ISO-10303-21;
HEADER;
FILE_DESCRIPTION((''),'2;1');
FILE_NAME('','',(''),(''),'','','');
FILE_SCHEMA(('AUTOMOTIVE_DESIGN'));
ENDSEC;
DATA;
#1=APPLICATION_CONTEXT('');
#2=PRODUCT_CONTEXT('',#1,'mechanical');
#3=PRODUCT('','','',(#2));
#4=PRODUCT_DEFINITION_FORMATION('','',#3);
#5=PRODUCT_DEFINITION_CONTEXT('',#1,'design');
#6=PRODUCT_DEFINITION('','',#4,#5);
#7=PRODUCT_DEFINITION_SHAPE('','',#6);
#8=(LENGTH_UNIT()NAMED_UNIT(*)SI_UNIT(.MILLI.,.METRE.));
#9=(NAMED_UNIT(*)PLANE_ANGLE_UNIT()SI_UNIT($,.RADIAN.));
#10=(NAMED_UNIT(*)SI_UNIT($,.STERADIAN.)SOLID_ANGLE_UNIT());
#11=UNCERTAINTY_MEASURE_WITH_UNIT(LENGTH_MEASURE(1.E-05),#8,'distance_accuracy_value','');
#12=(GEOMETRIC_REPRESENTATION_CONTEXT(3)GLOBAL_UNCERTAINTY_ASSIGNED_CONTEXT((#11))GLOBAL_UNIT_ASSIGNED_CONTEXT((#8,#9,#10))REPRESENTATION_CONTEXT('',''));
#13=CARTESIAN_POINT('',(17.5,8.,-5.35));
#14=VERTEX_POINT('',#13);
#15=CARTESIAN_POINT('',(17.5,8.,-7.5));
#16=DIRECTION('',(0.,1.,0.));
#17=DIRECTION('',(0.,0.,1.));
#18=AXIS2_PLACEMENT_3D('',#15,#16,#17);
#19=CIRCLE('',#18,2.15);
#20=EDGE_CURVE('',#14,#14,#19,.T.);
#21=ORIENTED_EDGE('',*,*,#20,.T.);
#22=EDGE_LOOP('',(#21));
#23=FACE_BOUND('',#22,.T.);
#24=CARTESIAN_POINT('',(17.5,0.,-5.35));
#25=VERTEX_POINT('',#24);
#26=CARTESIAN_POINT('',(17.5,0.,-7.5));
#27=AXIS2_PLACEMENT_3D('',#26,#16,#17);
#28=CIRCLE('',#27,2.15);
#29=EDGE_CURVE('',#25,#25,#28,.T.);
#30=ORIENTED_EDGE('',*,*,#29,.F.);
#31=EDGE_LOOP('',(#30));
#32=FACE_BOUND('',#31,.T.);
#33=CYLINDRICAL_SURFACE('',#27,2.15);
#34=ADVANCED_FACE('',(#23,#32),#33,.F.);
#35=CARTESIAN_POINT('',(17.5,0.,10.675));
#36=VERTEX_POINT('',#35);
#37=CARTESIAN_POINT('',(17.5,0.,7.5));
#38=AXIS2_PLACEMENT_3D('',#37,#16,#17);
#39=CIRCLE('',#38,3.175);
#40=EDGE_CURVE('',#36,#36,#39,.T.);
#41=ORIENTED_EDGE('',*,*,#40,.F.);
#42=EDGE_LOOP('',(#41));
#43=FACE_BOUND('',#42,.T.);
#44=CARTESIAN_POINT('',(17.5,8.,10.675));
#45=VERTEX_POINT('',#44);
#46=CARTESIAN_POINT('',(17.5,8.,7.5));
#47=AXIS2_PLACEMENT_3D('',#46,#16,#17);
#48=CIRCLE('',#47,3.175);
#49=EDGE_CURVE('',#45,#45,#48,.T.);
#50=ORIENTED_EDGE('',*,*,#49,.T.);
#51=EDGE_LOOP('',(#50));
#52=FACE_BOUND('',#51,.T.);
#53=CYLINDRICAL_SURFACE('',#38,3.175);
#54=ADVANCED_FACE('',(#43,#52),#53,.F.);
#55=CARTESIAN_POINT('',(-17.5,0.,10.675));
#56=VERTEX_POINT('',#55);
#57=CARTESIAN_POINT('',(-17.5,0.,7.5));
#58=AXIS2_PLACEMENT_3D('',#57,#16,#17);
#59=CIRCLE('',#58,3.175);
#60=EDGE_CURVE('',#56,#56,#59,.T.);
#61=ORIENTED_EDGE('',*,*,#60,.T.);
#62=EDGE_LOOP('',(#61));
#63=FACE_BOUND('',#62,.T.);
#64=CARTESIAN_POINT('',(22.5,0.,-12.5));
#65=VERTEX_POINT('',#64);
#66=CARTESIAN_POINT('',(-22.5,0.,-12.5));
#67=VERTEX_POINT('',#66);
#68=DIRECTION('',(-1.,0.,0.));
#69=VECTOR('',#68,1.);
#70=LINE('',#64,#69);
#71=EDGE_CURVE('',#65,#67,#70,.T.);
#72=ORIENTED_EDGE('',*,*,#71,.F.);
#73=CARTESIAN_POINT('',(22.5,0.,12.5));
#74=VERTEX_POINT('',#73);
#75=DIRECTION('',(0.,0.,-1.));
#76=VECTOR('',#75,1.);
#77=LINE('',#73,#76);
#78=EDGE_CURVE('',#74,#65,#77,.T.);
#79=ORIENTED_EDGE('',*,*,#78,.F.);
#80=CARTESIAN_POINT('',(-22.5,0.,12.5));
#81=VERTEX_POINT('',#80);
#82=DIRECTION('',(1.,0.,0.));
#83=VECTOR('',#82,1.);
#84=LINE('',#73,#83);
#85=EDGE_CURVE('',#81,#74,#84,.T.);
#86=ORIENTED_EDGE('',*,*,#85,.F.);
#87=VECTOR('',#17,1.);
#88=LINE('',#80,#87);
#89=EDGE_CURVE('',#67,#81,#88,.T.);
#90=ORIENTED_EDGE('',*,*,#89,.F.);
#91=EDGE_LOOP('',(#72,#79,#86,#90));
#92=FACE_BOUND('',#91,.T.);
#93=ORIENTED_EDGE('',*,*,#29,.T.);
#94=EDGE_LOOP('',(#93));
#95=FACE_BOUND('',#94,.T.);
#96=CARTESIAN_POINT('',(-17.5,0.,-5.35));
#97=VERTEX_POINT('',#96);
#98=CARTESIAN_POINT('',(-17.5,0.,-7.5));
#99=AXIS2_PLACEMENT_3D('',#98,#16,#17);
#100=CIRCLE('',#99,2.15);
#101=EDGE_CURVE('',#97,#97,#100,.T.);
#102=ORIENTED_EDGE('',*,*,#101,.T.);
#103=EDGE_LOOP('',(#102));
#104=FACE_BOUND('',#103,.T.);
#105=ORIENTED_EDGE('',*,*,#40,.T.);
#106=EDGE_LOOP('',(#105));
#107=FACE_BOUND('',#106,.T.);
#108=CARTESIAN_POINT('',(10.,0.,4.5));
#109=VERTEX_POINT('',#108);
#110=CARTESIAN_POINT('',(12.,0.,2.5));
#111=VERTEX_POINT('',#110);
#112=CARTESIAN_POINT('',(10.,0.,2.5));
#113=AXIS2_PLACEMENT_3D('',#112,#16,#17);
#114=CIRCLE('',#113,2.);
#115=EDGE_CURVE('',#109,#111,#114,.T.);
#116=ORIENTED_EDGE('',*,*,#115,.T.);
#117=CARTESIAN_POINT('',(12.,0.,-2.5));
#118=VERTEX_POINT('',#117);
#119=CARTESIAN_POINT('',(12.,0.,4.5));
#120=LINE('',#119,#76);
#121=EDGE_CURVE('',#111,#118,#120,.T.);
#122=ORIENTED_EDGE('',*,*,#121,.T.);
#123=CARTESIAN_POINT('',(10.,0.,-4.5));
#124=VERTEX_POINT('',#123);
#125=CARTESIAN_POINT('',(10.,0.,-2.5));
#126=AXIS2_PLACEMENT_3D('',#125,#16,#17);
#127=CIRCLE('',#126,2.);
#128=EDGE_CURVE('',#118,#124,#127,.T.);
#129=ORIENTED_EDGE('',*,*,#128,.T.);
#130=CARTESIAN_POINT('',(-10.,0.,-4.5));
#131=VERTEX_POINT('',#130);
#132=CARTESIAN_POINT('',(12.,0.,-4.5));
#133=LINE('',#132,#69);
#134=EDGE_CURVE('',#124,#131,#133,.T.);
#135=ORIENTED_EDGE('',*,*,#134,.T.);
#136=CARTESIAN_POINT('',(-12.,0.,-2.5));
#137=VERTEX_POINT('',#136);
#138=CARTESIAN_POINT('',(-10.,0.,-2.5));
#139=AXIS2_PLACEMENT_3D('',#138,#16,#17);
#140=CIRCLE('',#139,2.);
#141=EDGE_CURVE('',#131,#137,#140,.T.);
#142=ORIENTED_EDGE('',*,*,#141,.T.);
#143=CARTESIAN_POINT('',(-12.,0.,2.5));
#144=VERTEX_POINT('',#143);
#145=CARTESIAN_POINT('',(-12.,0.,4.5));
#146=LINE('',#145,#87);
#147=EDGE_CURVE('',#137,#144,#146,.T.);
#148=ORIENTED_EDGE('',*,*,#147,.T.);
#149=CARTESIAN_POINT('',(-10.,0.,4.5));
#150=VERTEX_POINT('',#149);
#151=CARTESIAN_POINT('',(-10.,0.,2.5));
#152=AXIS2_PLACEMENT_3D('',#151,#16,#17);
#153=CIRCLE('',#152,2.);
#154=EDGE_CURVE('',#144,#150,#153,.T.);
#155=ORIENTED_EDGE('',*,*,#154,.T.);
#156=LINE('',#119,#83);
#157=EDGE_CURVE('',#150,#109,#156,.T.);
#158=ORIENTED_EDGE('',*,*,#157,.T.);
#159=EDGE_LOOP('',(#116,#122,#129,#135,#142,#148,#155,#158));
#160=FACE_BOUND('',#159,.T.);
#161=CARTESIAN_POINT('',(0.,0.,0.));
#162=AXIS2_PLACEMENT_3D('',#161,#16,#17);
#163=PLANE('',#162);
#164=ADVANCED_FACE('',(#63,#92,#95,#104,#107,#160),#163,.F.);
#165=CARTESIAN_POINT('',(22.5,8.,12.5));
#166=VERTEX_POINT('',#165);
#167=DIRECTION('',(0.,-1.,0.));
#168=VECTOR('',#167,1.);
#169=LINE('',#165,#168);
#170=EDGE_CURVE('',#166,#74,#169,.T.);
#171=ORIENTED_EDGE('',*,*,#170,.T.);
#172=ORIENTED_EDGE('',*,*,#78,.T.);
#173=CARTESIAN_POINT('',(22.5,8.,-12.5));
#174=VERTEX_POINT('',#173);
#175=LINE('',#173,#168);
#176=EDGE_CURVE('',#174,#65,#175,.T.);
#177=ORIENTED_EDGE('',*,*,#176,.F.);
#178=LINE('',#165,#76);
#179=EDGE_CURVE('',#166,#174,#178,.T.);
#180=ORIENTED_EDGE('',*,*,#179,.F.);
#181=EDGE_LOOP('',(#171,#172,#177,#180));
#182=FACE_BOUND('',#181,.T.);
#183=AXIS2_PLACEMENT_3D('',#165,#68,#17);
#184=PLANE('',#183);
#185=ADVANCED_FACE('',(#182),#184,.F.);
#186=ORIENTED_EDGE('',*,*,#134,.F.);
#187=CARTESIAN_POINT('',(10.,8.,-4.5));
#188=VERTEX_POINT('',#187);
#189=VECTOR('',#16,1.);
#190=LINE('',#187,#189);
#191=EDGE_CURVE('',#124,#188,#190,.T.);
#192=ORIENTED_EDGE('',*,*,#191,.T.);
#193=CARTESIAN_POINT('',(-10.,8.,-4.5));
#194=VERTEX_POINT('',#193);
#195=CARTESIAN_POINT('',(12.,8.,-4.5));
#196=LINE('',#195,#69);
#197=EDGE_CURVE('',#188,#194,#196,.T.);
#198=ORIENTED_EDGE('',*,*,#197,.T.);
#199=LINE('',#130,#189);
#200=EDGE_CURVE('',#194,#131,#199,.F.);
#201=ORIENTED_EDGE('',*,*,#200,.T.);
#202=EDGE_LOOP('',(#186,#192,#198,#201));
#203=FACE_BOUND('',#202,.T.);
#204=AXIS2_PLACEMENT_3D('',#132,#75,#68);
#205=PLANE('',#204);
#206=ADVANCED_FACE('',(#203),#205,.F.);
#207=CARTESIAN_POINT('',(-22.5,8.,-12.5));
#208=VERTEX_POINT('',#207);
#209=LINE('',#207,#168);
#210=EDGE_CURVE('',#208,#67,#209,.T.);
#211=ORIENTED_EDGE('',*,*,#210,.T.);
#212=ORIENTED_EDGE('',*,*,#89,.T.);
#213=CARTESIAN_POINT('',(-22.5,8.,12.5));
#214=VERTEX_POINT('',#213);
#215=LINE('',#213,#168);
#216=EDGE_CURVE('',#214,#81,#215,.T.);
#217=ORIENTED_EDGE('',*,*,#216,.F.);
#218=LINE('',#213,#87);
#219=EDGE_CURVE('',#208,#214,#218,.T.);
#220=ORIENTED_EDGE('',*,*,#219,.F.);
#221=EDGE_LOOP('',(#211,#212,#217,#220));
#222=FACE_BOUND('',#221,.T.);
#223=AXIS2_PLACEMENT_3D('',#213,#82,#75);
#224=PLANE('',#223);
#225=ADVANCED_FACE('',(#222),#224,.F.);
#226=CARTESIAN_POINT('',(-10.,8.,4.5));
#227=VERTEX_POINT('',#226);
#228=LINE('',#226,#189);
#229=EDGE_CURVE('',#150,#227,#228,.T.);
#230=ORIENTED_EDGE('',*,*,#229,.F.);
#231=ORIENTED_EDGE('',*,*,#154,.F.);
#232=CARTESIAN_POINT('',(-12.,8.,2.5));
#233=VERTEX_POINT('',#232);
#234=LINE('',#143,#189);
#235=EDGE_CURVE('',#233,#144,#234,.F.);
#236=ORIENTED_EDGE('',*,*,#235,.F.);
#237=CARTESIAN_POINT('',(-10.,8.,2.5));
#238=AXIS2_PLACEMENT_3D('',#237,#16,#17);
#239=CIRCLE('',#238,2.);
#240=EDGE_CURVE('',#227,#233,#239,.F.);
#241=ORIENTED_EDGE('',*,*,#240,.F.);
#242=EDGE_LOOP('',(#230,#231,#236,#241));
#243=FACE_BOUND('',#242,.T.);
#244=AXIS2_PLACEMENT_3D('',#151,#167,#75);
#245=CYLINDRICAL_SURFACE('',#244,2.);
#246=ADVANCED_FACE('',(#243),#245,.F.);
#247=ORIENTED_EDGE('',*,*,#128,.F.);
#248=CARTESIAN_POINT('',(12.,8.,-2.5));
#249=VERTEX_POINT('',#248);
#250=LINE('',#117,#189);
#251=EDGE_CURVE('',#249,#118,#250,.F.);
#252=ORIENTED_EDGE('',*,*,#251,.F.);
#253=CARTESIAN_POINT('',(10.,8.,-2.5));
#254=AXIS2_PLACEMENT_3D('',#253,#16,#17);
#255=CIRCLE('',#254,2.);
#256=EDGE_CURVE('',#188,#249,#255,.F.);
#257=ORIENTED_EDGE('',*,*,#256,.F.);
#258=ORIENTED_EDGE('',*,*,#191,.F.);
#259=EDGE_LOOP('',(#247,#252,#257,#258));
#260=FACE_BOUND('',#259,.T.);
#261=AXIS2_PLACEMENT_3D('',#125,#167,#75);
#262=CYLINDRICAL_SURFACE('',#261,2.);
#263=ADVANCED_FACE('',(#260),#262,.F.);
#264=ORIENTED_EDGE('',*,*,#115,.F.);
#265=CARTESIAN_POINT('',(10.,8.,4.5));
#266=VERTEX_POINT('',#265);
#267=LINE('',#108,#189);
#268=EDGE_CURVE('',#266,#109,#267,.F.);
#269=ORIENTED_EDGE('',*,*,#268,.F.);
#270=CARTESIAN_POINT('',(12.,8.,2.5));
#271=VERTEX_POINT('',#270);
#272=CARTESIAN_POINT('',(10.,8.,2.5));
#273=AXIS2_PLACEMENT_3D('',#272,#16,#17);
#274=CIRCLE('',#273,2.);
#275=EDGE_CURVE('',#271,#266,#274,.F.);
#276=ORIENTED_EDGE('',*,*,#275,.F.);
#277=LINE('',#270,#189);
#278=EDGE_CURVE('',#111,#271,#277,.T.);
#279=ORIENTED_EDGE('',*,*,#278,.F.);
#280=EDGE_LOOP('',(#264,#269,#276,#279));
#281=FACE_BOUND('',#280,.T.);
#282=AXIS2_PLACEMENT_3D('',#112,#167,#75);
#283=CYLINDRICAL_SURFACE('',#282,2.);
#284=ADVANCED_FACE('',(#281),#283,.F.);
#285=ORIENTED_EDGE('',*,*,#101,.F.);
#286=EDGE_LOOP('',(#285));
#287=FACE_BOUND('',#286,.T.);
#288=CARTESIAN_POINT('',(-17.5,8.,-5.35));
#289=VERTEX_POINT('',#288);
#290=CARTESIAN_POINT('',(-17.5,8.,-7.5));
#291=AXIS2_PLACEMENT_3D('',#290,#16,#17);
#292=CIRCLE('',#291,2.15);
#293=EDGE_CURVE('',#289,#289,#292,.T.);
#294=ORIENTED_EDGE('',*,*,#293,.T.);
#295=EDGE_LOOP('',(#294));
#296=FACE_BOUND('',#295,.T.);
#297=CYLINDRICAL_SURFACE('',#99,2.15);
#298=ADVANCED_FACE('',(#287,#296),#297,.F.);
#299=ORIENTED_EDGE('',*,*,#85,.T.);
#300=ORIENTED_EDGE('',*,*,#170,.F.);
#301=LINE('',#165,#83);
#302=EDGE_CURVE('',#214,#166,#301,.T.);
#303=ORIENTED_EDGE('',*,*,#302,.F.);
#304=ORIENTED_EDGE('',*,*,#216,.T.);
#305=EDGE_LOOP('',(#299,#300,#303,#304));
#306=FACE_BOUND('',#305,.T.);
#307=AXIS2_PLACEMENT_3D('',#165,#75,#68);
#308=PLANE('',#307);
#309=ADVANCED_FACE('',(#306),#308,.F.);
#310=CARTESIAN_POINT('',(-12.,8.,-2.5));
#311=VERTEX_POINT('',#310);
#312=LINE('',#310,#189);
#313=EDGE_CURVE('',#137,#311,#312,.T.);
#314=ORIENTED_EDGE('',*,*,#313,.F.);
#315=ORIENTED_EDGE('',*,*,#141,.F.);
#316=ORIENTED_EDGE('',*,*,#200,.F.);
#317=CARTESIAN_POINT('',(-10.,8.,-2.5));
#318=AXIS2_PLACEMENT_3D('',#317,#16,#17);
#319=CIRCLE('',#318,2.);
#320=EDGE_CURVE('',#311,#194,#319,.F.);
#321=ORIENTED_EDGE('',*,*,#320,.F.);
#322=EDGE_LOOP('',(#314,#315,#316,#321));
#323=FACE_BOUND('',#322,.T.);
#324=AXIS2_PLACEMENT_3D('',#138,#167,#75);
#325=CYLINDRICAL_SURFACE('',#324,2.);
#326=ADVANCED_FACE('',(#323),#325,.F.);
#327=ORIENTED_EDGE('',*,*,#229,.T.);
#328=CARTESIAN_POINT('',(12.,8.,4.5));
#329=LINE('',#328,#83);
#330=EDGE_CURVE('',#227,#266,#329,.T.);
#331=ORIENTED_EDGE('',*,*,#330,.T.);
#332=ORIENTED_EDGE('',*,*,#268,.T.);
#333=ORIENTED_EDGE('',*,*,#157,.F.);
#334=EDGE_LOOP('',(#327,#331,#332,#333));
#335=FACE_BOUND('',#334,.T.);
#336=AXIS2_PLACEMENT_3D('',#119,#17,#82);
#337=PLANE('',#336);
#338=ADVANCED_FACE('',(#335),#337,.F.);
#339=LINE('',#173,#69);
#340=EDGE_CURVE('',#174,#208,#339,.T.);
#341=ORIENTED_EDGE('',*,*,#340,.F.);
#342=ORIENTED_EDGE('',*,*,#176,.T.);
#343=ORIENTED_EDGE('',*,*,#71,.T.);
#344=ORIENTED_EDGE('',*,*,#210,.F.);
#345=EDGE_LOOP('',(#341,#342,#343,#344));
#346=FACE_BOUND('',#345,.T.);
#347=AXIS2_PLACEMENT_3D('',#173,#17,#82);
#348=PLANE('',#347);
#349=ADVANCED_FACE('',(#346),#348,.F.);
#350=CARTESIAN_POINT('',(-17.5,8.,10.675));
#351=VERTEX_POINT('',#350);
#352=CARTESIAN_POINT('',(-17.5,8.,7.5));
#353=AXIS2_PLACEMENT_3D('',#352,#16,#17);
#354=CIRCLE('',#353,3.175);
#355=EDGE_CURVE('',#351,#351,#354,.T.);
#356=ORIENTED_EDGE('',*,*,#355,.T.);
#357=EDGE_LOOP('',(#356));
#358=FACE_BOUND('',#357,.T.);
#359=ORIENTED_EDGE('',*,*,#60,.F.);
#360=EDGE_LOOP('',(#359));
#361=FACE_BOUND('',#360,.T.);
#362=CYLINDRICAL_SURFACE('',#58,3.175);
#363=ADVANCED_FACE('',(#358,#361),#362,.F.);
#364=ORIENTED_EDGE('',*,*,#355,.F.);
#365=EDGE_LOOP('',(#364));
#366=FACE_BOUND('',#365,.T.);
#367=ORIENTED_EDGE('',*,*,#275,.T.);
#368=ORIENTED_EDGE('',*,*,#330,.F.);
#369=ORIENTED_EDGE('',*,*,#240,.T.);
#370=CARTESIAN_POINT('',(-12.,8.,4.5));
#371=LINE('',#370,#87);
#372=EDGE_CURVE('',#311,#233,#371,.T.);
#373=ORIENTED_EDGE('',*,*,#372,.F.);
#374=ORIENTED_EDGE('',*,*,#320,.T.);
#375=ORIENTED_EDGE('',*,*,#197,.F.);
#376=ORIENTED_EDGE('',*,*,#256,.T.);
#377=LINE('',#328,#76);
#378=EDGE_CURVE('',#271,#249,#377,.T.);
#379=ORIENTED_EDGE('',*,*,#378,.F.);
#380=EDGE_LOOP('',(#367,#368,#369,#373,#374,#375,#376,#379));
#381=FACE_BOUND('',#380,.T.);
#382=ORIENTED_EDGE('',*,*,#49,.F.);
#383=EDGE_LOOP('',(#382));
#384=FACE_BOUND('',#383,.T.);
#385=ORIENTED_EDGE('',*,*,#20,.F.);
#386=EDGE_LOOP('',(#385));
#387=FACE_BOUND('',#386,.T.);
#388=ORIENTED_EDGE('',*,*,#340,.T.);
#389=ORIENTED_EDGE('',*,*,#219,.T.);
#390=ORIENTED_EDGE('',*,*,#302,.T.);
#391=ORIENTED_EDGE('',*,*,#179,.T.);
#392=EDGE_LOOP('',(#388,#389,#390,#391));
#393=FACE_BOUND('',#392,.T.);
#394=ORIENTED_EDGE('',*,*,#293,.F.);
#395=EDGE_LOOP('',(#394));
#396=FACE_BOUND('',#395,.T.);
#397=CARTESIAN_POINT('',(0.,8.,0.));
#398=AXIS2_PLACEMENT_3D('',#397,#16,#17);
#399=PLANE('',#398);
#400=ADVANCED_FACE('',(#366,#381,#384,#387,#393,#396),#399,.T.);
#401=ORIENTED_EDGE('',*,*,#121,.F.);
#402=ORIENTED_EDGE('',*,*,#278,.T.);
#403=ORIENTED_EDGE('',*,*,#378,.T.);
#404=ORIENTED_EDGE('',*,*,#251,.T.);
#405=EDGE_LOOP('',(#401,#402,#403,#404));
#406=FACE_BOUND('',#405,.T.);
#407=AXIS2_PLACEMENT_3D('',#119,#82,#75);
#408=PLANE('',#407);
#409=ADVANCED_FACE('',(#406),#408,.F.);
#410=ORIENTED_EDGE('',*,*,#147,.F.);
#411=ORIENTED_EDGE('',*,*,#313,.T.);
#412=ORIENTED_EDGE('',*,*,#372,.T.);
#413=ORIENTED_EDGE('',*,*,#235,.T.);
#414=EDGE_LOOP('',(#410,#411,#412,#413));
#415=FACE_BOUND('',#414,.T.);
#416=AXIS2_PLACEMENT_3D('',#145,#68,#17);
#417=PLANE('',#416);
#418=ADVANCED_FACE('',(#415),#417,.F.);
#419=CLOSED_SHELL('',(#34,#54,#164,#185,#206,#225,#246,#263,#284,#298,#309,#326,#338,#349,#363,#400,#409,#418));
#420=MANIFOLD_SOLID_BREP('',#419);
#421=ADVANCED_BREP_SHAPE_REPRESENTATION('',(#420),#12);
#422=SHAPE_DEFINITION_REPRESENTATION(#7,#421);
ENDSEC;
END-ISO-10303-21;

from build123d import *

# Parameters (mm, degrees)
SKETCH_1_W          = 45
SKETCH_1_H          = 25
EXTRUDE_1_DEPTH     = 8
SKETCH_2_R          = 2.15
SKETCH_2_R_2        = 3.175
CUT_EXTRUDE_1_DEPTH = 27.953663944
SKETCH_3_W          = 24
SKETCH_3_H          = 9
CUT_EXTRUDE_2_DEPTH = 27.953663944
FILLET_1_R          = 2


with BuildPart() as part:
    # 草图1 → 凸台-拉伸1 (new body)
    with BuildSketch(Plane(origin=(0, 0, 0), x_dir=(1, 0, 0), z_dir=(0, 1, 0))):
        Rectangle(SKETCH_1_W, SKETCH_1_H)
    extrude(amount=EXTRUDE_1_DEPTH)

    # 草图2 → 切除-拉伸1 (cut, through all)
    with BuildSketch(Plane(origin=(0, 8, 0), x_dir=(1, 0, 0), z_dir=(0, 1, 0))):
        with Locations(Location((-17.5, 7.5, 0), (0, 0, 270))):
            Circle(SKETCH_2_R)
        with Locations(Location((17.5, 7.5, 0), (0, 0, 270))):
            Circle(SKETCH_2_R)
        with Locations(Location((17.5, -7.5, 0), (0, 0, 270))):
            Circle(SKETCH_2_R_2)
        with Locations(Location((-17.5, -7.5, 0), (0, 0, 270))):
            Circle(SKETCH_2_R_2)
    extrude(amount=-CUT_EXTRUDE_1_DEPTH, mode=Mode.SUBTRACT)

    # 草图3 → 切除-拉伸2 (cut, through all)
    with BuildSketch(Plane(origin=(0, 8, 0), x_dir=(1, 0, 0), z_dir=(0, 1, 0))):
        Rectangle(SKETCH_3_W, SKETCH_3_H)
    extrude(amount=-CUT_EXTRUDE_2_DEPTH, mode=Mode.SUBTRACT)

    # 圆角1
    fillet_1_edges = [part.edges().sort_by_distance(p)[0] for p in [
        (-12, 4, 4.5),
        (-12, 4, -4.5),
        (12, 4, -4.5),
        (12, 4, 4.5),
    ]]
    fillet(fillet_1_edges, radius=FILLET_1_R)


solid = part.part
